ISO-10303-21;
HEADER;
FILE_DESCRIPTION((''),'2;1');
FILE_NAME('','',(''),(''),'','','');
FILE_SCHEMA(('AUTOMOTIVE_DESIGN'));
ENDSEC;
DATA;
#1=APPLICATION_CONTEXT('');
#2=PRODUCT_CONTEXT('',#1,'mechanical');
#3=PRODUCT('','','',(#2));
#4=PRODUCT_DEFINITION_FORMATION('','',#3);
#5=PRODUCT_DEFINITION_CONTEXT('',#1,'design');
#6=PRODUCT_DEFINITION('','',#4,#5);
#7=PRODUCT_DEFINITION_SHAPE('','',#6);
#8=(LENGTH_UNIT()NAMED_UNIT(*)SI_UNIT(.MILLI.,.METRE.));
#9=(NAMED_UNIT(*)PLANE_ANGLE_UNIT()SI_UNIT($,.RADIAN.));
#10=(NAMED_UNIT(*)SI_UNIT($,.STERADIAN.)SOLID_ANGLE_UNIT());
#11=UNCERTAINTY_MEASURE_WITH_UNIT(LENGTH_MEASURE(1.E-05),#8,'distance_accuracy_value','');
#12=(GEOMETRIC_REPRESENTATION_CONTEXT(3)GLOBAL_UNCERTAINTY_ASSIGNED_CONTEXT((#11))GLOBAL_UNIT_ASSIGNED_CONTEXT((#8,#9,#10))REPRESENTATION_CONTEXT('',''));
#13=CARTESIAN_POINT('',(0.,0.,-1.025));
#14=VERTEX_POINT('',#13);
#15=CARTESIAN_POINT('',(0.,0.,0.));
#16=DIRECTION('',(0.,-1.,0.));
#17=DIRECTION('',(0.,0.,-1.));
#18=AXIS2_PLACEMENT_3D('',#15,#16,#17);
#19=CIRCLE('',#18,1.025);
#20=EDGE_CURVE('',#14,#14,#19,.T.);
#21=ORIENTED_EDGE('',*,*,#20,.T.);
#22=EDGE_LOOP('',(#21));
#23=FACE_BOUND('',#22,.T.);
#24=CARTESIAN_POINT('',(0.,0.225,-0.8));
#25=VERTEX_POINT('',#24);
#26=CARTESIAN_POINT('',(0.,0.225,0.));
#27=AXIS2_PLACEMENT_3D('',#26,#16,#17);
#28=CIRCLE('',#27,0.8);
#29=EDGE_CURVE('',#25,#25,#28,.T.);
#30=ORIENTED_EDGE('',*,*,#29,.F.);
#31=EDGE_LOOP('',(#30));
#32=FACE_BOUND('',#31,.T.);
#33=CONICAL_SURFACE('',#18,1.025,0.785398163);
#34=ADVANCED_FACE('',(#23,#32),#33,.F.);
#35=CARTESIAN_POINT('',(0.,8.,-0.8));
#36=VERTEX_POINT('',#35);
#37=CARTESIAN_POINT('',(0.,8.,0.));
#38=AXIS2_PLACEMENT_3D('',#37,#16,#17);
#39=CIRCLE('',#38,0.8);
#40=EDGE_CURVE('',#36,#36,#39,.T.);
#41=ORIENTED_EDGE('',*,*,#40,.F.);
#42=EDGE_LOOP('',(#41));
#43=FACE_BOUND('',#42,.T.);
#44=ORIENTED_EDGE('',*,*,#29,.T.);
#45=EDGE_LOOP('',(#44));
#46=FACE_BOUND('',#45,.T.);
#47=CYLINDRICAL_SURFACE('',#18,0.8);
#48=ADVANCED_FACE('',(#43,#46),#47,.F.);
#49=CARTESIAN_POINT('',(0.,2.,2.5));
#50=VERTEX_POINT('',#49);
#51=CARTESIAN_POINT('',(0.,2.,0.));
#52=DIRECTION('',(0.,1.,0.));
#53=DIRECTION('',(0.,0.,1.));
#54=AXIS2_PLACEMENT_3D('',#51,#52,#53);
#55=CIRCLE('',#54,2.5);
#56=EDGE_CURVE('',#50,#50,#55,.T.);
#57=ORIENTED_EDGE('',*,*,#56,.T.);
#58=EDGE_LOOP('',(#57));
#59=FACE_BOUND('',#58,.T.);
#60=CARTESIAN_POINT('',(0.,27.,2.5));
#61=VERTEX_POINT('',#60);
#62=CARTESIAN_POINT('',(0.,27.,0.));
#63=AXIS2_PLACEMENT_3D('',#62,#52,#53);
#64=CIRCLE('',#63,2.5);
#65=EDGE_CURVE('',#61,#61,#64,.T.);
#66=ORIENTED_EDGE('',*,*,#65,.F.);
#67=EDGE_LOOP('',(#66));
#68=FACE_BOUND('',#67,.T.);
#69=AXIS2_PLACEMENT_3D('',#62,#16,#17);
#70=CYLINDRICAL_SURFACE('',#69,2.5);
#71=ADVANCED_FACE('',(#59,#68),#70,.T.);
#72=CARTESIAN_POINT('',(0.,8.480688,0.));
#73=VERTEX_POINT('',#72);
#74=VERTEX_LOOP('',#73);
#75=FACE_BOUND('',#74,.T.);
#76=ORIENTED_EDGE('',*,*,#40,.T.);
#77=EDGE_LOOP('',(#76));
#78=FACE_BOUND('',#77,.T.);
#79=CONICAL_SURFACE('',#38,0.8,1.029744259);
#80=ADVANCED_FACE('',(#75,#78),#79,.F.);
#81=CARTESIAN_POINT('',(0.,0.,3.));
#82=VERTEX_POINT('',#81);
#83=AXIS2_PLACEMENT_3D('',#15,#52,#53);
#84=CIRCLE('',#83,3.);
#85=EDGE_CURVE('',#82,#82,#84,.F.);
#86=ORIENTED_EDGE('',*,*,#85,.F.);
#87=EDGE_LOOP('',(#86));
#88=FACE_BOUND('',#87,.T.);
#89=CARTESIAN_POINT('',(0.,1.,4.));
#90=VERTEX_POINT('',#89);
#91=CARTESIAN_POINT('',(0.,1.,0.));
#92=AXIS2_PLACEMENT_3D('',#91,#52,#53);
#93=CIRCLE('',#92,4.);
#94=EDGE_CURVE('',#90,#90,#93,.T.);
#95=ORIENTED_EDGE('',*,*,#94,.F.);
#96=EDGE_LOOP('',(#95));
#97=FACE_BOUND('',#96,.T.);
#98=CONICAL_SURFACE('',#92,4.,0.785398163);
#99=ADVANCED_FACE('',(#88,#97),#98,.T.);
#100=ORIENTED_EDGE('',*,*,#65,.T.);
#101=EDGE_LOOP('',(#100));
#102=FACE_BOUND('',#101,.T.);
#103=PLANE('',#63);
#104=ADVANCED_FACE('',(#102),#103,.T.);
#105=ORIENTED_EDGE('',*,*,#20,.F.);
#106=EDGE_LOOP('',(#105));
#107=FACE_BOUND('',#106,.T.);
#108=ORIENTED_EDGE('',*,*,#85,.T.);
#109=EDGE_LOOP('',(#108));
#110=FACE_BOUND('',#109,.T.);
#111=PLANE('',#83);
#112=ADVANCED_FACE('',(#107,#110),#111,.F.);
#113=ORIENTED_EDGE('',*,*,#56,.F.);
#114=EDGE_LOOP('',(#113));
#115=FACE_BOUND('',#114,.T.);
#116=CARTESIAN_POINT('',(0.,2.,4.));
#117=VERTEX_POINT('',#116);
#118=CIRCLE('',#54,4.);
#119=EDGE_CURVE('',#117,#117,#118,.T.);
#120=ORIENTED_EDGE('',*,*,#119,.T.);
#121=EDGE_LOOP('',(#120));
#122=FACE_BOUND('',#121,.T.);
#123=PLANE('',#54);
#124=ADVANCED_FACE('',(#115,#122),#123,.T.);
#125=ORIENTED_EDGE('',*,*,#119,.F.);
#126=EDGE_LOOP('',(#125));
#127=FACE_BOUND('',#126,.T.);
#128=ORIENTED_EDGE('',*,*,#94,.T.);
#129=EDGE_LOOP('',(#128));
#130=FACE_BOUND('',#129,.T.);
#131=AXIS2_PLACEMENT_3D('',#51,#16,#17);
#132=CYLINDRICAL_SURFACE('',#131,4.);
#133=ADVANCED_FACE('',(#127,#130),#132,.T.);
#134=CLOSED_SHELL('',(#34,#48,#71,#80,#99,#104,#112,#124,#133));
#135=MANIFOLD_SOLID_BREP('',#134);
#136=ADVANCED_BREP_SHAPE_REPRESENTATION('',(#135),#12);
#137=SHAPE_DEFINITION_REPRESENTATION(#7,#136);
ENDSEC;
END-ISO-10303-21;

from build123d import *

# Parameters (mm, degrees)
SKETCH1_R                   = 4
BOSS_EXTRUDE1_DEPTH         = 2
SKETCH2_R                   = 2.5
BOSS_EXTRUDE2_DEPTH         = 25
M2_TAPPED_HOLE1_D           = 1.6
M2_TAPPED_HOLE1_DEPTH       = 8
M2_TAPPED_HOLE1_CSINK_D     = 2.05
M2_TAPPED_HOLE1_CSINK_ANGLE = 90
M2_TAPPED_HOLE1_TIP         = 0.480688495
CHAMFER1_SIZE               = 1


with BuildPart() as part:
    # Sketch1 → Boss-Extrude1 (new body)
    with BuildSketch(Plane(origin=(0, 0, 0), x_dir=(1, 0, 0), z_dir=(0, 1, 0))):
        with Locations(Location((0, 0, 0), (0, 0, 270))):
            Circle(SKETCH1_R)
    extrude(amount=BOSS_EXTRUDE1_DEPTH)

    # Sketch2 → Boss-Extrude2 (add)
    with BuildSketch(Plane(origin=(0, 2, 0), x_dir=(1, 0, 0), z_dir=(0, 1, 0))):
        with Locations(Location((0, 0, 0), (0, 0, 270))):
            Circle(SKETCH2_R)
    extrude(amount=BOSS_EXTRUDE2_DEPTH)

    # M2 Tapped Hole1
    with Locations(Plane(origin=(0, 0, 0), x_dir=(-1, 0, 0), z_dir=(0, -1, 0))):
        with Locations((0, 0)):
            CounterSinkHole(M2_TAPPED_HOLE1_D / 2, M2_TAPPED_HOLE1_CSINK_D / 2, depth=M2_TAPPED_HOLE1_DEPTH, counter_sink_angle=M2_TAPPED_HOLE1_CSINK_ANGLE)
            with Locations((0, 0, -(M2_TAPPED_HOLE1_DEPTH + M2_TAPPED_HOLE1_TIP / 2))):  # 118° drill point
                Cone(0, M2_TAPPED_HOLE1_D / 2, M2_TAPPED_HOLE1_TIP, mode=Mode.SUBTRACT)

    # Chamfer1
    chamfer1_edges = [part.edges().sort_by_distance(p)[0] for p in [
        (0, 0, -4),
    ]]
    chamfer(chamfer1_edges, length=CHAMFER1_SIZE)


solid = part.part
